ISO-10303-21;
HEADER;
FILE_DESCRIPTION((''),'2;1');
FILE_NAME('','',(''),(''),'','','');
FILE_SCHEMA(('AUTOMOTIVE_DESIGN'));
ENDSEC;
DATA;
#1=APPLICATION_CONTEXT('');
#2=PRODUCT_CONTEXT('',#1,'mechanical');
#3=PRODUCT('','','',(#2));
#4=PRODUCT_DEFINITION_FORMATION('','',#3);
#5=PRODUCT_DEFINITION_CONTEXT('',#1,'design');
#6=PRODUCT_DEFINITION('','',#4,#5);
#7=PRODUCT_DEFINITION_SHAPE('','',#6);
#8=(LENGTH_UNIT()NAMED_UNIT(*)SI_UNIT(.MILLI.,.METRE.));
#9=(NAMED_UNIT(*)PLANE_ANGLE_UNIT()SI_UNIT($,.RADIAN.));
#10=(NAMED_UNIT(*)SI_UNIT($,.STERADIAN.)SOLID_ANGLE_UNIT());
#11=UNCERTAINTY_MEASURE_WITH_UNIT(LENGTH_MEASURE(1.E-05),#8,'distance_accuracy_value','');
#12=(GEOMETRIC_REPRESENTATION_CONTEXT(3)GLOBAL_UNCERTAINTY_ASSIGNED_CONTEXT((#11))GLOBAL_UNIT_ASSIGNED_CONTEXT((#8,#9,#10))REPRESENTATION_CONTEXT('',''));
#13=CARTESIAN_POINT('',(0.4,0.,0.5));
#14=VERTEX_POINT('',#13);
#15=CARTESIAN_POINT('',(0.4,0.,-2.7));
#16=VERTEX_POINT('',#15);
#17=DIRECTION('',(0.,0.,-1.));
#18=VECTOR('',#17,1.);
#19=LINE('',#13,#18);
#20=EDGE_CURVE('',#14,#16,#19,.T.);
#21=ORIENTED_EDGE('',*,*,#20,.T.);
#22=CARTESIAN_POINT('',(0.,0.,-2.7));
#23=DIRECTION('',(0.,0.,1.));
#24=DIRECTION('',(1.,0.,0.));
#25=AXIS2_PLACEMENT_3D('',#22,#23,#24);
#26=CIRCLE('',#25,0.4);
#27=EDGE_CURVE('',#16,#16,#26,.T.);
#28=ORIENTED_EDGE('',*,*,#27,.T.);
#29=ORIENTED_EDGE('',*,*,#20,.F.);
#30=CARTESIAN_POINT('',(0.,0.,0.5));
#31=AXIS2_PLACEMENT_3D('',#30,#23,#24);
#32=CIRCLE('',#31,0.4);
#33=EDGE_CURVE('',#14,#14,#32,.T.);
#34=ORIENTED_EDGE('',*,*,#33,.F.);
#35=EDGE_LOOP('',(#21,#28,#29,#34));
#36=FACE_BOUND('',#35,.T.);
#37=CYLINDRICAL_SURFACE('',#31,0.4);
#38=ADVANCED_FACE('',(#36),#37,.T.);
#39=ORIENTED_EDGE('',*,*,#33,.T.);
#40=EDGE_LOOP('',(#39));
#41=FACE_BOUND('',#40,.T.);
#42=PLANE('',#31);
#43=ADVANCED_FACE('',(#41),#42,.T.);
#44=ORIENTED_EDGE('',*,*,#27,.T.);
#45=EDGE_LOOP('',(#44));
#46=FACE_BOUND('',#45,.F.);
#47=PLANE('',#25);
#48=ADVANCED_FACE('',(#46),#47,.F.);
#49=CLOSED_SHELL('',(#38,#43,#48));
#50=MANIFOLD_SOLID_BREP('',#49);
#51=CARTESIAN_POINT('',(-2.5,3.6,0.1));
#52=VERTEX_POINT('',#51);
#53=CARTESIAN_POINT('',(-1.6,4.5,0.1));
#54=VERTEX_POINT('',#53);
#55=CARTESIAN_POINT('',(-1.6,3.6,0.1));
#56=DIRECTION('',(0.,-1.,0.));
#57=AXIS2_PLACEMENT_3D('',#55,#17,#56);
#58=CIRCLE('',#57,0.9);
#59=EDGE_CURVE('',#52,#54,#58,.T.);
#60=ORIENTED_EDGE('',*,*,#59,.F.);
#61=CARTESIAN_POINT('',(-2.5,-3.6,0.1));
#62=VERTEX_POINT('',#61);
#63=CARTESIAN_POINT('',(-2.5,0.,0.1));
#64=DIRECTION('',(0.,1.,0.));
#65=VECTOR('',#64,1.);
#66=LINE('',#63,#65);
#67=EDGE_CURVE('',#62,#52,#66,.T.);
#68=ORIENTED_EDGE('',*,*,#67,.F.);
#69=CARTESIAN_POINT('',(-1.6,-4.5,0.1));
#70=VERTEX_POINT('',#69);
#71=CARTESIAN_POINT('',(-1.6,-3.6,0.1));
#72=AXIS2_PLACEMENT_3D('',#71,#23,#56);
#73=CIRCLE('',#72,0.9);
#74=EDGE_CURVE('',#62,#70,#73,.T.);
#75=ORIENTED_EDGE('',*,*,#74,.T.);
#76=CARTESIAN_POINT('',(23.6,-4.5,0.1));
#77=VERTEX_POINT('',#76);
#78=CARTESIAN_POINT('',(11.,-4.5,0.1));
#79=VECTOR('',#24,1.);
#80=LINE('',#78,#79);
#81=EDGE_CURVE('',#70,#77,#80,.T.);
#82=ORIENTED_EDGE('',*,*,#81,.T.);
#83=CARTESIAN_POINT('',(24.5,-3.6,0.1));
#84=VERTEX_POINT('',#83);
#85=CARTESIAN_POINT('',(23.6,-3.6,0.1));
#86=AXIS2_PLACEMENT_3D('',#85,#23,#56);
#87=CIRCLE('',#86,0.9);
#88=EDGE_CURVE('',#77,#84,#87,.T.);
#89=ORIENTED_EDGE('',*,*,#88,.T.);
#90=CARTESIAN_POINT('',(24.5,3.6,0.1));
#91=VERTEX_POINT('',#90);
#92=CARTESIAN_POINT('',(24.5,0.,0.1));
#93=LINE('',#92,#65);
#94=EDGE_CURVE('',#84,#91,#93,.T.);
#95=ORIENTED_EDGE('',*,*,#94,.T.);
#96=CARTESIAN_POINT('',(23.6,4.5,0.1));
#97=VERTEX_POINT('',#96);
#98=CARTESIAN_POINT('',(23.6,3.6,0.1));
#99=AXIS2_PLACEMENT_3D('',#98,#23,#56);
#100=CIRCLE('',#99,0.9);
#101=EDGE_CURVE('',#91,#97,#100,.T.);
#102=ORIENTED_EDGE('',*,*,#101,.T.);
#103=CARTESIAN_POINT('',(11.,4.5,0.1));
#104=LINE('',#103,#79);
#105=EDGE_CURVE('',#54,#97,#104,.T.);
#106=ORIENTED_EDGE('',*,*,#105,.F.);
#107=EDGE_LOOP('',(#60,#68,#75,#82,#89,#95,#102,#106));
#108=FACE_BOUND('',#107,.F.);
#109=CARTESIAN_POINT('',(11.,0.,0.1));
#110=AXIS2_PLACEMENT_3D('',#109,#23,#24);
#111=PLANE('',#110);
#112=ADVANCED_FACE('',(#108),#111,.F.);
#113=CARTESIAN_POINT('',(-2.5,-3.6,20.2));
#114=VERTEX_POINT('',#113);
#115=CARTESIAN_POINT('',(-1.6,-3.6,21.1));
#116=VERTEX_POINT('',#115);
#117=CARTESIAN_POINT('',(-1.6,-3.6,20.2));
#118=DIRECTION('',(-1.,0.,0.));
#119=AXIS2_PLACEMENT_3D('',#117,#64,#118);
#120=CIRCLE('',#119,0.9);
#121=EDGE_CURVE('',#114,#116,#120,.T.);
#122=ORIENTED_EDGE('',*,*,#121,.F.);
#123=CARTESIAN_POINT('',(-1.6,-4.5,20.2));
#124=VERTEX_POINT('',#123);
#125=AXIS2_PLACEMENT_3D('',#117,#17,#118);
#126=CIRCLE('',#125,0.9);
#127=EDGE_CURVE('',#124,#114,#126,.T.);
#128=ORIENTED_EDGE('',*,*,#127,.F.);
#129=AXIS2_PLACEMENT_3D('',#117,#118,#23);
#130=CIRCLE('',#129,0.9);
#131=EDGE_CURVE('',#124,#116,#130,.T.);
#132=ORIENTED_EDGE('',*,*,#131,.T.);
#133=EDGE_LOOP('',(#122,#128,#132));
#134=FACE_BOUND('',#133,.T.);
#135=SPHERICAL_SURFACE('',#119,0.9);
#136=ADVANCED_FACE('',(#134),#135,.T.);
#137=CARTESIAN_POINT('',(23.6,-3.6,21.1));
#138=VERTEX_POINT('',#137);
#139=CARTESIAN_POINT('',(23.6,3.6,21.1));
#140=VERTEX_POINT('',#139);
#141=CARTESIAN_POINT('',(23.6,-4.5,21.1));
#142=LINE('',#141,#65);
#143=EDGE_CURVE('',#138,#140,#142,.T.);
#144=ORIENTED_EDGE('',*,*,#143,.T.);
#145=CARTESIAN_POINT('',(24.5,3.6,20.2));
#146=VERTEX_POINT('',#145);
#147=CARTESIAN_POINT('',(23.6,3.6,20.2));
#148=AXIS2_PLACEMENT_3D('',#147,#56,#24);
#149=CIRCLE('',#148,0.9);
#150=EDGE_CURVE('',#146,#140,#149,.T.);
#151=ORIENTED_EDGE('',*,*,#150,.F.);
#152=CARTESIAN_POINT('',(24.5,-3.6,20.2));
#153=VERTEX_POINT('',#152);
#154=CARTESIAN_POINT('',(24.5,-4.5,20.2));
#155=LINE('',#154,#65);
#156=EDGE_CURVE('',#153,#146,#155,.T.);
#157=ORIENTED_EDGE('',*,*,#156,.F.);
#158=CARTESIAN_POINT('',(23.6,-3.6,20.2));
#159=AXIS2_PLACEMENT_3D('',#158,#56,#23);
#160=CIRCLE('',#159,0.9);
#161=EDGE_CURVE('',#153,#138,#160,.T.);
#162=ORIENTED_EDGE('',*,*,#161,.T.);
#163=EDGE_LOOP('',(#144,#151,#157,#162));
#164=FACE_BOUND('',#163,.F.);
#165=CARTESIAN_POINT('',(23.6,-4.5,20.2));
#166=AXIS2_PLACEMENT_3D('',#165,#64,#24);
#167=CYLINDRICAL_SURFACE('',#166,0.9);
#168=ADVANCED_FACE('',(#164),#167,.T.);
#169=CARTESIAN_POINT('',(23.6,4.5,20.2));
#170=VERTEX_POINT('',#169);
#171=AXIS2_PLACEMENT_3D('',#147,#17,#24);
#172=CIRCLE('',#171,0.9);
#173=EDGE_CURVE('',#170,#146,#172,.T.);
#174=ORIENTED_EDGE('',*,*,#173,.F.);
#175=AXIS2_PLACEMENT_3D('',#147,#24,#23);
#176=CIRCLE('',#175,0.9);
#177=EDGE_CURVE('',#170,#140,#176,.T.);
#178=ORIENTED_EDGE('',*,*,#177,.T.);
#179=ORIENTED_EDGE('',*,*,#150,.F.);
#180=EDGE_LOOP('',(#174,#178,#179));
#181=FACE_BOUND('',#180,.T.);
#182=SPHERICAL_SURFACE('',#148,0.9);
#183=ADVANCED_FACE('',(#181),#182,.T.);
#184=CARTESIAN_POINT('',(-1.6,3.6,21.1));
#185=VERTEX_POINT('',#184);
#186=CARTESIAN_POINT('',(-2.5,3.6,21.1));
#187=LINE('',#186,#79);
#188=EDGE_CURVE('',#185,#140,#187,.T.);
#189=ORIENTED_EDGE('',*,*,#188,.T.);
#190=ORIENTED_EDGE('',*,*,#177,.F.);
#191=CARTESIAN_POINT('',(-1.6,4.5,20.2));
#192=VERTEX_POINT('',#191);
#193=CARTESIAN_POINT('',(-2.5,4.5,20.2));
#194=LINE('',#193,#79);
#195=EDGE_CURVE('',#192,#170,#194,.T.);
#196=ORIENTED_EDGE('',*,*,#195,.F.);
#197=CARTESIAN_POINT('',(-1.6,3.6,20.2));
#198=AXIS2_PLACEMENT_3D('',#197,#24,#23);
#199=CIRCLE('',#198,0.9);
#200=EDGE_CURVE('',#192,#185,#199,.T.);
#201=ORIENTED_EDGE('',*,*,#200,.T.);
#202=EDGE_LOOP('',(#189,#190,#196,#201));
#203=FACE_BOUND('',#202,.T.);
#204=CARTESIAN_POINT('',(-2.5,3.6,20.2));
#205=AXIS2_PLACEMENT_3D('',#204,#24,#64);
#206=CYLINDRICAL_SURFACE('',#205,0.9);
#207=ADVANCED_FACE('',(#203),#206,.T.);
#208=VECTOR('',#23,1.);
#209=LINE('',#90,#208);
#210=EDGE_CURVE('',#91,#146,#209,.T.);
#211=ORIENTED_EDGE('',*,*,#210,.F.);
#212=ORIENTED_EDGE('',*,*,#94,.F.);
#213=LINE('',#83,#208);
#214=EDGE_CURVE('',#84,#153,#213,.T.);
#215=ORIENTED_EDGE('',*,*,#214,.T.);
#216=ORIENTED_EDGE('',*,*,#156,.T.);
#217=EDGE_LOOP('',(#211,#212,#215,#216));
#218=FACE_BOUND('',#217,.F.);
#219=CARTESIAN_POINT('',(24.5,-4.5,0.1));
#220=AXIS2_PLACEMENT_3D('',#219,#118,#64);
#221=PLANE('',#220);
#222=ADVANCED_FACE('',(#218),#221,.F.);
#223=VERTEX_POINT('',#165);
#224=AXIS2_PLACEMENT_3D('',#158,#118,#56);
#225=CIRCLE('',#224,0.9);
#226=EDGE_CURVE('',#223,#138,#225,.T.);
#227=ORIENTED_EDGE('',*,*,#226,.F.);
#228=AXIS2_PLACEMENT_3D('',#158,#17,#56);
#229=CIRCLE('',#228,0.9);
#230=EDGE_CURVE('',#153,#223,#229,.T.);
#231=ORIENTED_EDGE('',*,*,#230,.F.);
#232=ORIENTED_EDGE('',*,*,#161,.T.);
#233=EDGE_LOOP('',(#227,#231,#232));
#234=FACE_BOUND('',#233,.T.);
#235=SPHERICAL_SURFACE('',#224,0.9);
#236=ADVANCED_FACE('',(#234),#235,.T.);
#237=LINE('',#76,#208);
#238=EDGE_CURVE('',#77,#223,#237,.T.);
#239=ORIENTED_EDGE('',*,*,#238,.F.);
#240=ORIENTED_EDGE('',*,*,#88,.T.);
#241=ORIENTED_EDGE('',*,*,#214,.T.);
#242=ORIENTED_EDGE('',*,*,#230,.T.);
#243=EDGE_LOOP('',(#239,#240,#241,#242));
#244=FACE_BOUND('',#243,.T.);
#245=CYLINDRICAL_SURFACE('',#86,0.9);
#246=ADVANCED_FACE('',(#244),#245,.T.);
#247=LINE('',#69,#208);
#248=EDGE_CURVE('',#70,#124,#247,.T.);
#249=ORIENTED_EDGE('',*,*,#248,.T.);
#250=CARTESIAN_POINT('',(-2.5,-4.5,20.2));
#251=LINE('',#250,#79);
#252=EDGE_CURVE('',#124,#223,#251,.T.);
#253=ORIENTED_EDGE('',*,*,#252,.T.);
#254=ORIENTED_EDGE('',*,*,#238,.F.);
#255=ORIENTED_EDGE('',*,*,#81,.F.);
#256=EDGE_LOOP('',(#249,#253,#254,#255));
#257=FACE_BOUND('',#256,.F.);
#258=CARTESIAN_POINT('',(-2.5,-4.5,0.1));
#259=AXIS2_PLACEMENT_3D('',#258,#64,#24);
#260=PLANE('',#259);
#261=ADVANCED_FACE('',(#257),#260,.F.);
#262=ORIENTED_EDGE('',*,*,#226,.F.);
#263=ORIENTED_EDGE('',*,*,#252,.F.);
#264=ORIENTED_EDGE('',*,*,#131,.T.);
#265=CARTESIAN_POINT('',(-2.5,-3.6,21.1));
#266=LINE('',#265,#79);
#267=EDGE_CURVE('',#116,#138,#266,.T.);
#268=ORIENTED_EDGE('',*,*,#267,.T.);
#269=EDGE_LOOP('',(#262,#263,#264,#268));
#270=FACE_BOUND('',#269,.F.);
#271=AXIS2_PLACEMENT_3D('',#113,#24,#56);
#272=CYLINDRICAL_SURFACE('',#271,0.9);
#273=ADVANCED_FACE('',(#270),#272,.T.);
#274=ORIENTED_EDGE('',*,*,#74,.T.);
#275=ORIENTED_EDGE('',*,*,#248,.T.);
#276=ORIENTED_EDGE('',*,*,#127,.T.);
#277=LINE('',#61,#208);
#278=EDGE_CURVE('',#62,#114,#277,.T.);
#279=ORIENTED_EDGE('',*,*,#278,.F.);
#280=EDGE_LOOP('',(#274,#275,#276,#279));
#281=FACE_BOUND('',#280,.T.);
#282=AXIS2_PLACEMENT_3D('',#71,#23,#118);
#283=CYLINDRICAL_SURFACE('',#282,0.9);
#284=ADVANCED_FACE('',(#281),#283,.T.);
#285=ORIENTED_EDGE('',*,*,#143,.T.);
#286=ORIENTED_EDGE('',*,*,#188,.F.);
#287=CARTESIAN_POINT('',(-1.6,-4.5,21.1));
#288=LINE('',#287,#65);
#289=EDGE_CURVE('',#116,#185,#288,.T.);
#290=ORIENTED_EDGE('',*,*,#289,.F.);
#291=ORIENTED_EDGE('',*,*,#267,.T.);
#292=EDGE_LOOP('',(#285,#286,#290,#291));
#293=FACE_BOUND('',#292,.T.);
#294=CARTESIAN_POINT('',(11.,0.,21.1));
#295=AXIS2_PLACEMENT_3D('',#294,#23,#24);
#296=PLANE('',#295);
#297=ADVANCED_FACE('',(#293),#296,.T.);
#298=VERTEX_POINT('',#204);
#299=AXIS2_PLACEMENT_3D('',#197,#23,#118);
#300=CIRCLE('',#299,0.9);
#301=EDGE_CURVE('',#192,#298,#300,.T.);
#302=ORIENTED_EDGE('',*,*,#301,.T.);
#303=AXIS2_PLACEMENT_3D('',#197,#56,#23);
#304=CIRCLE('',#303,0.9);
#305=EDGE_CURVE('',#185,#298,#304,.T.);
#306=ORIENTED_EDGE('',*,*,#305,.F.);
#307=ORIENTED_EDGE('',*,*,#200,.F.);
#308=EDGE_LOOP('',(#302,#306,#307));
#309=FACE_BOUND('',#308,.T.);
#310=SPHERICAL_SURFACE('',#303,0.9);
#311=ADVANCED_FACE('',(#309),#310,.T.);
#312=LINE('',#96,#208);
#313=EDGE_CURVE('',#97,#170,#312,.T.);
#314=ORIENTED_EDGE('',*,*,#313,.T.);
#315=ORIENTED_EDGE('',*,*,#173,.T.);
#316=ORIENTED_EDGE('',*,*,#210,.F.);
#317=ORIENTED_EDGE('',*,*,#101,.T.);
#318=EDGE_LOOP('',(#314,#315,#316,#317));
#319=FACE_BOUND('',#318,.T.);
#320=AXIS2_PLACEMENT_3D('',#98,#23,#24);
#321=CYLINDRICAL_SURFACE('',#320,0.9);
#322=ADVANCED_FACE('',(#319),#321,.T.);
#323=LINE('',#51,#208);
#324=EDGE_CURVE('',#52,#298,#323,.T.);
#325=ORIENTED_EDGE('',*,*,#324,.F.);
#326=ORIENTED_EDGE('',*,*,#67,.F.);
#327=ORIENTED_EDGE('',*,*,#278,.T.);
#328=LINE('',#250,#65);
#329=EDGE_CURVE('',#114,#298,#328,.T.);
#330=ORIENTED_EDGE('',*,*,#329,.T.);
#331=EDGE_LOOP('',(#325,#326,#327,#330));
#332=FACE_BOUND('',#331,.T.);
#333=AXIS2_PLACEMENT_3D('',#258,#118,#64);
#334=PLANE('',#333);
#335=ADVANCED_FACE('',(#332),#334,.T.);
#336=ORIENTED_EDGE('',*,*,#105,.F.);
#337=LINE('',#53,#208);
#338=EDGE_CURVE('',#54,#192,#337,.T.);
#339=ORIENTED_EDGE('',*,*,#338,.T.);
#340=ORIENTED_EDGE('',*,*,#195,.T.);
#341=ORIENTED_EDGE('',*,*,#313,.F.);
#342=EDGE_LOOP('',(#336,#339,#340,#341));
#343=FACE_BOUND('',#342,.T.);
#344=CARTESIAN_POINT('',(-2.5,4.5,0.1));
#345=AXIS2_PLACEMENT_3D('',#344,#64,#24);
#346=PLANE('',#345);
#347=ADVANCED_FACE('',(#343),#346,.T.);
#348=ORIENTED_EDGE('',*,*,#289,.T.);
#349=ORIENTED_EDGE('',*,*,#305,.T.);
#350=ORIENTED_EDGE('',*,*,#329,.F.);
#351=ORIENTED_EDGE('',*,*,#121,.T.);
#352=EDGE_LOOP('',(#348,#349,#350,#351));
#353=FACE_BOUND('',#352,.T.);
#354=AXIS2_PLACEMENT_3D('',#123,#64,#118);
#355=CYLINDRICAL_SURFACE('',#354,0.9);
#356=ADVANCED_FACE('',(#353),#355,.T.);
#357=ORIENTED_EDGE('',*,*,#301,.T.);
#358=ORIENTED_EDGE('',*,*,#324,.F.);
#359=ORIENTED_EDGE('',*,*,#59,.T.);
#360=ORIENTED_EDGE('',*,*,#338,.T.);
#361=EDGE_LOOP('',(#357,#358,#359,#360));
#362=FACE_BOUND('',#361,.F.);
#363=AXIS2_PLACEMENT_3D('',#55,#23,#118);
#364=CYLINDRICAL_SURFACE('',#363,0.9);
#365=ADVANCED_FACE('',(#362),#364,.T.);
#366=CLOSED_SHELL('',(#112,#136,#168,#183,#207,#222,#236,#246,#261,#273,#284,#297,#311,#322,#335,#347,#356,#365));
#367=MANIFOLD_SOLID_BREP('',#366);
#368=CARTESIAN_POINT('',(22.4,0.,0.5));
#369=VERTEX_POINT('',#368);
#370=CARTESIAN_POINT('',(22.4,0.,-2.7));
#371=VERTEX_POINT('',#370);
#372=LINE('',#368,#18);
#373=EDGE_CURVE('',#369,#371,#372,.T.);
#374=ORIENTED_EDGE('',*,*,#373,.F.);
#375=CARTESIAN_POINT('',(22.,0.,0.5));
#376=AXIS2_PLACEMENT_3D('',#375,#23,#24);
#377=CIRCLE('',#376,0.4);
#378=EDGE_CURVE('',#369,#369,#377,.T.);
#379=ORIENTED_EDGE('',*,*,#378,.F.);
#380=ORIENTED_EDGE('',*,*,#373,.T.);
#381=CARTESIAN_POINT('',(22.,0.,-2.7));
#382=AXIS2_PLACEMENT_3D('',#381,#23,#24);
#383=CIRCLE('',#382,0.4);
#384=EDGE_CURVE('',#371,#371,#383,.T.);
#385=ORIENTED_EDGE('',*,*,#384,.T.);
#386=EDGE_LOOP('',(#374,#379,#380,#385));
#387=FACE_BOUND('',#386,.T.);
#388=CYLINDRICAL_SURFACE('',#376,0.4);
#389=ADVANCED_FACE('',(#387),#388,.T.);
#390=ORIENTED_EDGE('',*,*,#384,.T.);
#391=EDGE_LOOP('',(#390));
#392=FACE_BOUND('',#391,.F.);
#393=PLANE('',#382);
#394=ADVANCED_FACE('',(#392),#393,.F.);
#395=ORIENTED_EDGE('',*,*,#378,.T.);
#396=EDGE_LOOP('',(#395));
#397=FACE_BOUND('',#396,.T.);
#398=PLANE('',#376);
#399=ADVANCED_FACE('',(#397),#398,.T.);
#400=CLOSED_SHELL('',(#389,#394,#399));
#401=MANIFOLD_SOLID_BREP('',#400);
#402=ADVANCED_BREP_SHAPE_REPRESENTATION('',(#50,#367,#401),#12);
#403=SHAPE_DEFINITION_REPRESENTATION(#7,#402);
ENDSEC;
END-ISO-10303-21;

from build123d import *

# Parameters (mm, degrees)
SKETCH_W     = 27
SKETCH_H     = 9
PAD_DEPTH    = 21
FILLET_R     = 0.9
SKETCH001_R  = 0.4
PAD001_DEPTH = 3.2


with BuildPart() as fillet_body:
    # Sketch → Pad (new body)
    with BuildSketch(Plane.XY.offset(0.1)):
        with Locations((11, 0)):
            Rectangle(SKETCH_W, SKETCH_H)
    extrude(amount=PAD_DEPTH)

    # Fillet
    fillet_edges = [fillet_body.edges().sort_by_distance(p)[0] for p in [
        (-2.5, 0, 21.1),
        (-2.5, -4.5, 10.6),
        (11, -4.5, 21.1),
        (24.5, -4.5, 10.6),
        (24.5, 0, 21.1),
        (24.5, 4.5, 10.6),
        (11, 4.5, 21.1),
        (-2.5, 4.5, 10.6),
    ]]
    fillet(fillet_edges, radius=FILLET_R)


with BuildPart() as pad001:
    # Sketch001 → Pad001 (new body)
    with BuildSketch(Plane.XY.offset(0.5)):
        Circle(SKETCH001_R)
        with Locations((22, 0)):
            Circle(SKETCH001_R)
    extrude(amount=-PAD001_DEPTH)


solid = Compound([fillet_body.part, pad001.part])
